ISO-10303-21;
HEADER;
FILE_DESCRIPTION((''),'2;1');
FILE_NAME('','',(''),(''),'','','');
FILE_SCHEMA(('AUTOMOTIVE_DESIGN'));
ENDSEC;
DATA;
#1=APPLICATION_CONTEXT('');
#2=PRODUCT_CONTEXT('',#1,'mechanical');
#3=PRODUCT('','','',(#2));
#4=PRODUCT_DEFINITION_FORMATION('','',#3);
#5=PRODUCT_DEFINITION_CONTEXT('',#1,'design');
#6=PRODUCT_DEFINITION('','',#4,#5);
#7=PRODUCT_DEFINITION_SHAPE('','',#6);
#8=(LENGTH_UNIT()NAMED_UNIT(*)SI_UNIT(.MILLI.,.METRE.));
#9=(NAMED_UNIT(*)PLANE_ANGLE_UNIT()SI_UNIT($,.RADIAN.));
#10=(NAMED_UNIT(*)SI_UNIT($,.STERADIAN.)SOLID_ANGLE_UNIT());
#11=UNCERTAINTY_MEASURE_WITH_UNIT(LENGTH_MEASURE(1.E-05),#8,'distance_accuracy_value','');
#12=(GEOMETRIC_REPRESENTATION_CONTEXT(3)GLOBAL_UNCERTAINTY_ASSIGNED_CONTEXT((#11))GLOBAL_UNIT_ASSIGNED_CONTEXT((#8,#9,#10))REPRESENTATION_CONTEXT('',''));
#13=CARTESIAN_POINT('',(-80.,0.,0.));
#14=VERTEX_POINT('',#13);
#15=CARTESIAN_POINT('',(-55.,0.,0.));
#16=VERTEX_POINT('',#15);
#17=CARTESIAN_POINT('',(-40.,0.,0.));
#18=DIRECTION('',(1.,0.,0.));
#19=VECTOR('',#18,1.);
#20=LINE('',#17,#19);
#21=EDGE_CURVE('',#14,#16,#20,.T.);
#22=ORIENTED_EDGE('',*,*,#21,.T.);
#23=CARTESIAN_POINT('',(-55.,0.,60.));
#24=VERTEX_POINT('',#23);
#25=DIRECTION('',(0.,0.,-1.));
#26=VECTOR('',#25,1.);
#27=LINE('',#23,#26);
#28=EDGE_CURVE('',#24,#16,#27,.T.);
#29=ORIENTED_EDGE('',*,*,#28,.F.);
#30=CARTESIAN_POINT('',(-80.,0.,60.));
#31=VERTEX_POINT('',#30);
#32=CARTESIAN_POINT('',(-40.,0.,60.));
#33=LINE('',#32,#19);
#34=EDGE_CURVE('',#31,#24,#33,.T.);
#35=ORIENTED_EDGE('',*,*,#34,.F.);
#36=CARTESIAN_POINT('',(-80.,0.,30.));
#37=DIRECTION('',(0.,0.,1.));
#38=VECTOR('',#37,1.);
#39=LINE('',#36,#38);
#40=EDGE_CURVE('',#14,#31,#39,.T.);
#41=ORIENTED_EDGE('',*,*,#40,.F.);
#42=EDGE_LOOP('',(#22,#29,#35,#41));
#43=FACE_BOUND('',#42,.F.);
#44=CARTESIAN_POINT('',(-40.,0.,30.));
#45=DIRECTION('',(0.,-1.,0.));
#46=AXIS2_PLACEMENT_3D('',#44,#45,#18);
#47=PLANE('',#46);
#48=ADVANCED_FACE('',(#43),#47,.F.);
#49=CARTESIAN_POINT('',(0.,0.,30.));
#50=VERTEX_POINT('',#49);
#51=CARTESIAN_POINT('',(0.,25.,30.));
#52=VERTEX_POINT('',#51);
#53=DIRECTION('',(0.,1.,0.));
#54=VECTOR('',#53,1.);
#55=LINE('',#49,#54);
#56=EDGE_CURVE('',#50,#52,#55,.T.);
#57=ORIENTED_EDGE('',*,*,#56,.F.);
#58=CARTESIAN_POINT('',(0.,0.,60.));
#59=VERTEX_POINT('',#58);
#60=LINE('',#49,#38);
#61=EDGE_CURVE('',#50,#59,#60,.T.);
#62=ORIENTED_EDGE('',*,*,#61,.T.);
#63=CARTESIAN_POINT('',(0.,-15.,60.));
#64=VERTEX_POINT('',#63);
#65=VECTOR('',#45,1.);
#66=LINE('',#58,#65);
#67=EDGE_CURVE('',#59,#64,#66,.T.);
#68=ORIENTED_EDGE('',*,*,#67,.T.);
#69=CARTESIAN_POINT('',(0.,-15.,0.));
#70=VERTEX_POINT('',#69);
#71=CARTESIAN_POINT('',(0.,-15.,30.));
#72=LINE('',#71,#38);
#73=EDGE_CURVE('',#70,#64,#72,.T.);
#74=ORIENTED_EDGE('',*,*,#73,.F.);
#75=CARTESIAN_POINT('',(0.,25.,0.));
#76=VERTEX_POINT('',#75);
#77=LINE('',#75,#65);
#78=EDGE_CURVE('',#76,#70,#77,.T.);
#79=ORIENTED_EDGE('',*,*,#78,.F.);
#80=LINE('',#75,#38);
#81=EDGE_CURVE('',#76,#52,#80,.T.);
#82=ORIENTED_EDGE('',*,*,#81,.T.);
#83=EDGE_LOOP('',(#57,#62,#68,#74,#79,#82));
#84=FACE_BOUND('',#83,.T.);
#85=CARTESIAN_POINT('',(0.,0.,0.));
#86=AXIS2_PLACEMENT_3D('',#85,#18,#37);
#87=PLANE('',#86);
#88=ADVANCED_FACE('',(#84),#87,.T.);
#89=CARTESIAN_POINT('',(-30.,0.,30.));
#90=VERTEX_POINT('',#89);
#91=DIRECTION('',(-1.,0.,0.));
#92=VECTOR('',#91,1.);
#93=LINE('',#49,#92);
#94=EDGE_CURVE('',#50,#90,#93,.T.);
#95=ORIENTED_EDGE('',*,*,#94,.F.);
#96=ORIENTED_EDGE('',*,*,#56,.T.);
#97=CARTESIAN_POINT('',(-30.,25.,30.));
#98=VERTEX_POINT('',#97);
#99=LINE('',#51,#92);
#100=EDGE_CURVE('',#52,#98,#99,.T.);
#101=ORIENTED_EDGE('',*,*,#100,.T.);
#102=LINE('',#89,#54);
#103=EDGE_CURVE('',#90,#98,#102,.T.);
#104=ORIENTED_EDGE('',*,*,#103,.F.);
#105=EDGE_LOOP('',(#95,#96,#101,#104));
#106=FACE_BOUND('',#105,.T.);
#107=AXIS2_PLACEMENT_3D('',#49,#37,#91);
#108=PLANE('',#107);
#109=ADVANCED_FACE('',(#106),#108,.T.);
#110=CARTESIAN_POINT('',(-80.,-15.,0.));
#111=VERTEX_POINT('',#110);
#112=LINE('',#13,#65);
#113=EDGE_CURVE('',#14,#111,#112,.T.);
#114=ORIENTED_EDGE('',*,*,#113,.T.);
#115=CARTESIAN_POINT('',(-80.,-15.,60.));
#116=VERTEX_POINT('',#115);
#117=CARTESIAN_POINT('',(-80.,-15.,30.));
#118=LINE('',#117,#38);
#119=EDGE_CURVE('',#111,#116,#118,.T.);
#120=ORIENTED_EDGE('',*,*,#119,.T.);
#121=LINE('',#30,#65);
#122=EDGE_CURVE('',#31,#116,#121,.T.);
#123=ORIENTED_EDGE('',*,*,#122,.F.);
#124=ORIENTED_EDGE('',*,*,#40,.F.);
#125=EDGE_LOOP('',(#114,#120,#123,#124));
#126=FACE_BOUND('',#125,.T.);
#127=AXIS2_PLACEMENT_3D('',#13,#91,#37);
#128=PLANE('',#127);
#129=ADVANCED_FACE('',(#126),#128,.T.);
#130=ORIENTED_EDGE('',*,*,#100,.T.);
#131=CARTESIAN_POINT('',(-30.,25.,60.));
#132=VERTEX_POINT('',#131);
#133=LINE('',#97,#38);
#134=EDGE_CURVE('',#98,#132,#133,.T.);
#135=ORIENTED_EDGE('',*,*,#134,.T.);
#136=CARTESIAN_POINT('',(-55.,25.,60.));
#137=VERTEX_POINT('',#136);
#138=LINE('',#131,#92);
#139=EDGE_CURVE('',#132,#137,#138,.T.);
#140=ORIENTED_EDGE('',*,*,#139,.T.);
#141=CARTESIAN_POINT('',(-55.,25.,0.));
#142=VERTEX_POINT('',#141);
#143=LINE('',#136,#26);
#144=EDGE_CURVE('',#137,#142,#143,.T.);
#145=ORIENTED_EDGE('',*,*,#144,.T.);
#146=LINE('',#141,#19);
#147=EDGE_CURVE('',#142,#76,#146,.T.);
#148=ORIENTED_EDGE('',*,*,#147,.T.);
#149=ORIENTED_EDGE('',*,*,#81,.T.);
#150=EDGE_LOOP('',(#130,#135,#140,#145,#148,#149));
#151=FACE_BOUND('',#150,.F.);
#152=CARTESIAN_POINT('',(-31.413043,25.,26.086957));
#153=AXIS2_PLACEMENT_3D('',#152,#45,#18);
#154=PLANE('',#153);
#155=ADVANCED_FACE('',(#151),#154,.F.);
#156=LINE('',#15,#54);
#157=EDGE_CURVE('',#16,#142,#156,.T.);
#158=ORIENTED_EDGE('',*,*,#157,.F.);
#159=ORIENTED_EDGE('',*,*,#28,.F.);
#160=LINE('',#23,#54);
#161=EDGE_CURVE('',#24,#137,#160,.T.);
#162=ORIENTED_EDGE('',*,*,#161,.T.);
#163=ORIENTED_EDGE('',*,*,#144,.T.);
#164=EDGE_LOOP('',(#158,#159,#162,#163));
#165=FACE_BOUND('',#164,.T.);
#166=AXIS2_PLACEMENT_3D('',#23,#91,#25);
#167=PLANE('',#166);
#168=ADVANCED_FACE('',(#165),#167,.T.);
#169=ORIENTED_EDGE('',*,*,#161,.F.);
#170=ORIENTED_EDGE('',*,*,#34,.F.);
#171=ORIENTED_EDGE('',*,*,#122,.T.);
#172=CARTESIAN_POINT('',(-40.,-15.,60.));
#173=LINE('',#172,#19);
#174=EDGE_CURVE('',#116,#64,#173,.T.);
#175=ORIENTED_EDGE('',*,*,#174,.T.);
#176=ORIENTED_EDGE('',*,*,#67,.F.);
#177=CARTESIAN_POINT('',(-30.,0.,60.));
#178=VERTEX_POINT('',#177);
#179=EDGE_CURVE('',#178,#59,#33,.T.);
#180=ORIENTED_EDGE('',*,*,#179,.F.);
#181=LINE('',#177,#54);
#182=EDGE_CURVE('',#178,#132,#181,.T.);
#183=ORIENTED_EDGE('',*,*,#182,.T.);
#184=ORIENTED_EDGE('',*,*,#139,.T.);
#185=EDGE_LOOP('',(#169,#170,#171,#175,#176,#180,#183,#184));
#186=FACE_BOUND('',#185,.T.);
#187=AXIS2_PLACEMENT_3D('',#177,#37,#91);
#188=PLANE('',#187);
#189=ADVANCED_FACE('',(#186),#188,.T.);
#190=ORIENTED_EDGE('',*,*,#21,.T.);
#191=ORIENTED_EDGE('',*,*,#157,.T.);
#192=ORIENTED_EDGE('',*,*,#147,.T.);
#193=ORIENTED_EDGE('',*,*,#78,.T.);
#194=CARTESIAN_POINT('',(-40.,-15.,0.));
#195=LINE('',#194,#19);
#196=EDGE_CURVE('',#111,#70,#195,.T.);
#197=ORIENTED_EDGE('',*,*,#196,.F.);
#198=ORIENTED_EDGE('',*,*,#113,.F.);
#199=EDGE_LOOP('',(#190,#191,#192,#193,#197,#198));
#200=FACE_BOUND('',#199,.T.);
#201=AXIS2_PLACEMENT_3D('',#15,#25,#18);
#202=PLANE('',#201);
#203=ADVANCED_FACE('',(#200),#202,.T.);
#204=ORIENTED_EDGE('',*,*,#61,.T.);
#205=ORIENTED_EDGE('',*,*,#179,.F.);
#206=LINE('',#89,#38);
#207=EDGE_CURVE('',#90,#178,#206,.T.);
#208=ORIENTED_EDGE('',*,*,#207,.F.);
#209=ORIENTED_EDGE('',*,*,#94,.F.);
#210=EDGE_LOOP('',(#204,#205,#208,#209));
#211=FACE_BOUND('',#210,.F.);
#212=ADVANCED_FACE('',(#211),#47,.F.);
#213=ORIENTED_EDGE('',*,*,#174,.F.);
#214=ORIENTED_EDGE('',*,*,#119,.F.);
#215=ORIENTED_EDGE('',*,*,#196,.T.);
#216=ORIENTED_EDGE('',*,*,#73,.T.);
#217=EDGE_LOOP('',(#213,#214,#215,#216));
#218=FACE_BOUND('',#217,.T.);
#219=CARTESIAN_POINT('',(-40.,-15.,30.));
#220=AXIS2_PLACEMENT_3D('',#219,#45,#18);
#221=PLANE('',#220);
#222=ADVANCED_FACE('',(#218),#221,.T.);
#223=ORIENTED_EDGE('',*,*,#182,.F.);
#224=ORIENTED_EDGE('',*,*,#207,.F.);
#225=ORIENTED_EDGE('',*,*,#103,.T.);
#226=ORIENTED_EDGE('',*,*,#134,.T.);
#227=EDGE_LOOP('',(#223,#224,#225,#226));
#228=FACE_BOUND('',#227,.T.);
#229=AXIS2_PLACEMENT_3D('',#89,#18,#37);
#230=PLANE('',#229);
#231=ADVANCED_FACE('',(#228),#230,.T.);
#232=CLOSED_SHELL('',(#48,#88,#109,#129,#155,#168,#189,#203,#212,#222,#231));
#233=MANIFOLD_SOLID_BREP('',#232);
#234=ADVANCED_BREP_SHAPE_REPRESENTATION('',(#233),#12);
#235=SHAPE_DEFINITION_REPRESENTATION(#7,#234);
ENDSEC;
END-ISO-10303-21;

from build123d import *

# Parameters (mm, degrees)
F0_W     = 80
F0_H     = 60
F1_DEPTH = 15
F3_DEPTH = 25


with BuildPart() as f1:
    # F0 (on Front) → F1 (new body)
    with BuildSketch(Plane.XZ):
        with Locations((-40, 30)):
            Rectangle(F0_W, F0_H)
    extrude(amount=F1_DEPTH)

    # F2 (on Front) → F3 (join)
    with BuildSketch(Plane.XZ):
        Polygon((-55, 0), (0, 0), (0, 30), (-30, 30), (-30, 60), (-55, 60), (-55, 53.417352), align=None)
    extrude(amount=-F3_DEPTH)


solid = f1.part
